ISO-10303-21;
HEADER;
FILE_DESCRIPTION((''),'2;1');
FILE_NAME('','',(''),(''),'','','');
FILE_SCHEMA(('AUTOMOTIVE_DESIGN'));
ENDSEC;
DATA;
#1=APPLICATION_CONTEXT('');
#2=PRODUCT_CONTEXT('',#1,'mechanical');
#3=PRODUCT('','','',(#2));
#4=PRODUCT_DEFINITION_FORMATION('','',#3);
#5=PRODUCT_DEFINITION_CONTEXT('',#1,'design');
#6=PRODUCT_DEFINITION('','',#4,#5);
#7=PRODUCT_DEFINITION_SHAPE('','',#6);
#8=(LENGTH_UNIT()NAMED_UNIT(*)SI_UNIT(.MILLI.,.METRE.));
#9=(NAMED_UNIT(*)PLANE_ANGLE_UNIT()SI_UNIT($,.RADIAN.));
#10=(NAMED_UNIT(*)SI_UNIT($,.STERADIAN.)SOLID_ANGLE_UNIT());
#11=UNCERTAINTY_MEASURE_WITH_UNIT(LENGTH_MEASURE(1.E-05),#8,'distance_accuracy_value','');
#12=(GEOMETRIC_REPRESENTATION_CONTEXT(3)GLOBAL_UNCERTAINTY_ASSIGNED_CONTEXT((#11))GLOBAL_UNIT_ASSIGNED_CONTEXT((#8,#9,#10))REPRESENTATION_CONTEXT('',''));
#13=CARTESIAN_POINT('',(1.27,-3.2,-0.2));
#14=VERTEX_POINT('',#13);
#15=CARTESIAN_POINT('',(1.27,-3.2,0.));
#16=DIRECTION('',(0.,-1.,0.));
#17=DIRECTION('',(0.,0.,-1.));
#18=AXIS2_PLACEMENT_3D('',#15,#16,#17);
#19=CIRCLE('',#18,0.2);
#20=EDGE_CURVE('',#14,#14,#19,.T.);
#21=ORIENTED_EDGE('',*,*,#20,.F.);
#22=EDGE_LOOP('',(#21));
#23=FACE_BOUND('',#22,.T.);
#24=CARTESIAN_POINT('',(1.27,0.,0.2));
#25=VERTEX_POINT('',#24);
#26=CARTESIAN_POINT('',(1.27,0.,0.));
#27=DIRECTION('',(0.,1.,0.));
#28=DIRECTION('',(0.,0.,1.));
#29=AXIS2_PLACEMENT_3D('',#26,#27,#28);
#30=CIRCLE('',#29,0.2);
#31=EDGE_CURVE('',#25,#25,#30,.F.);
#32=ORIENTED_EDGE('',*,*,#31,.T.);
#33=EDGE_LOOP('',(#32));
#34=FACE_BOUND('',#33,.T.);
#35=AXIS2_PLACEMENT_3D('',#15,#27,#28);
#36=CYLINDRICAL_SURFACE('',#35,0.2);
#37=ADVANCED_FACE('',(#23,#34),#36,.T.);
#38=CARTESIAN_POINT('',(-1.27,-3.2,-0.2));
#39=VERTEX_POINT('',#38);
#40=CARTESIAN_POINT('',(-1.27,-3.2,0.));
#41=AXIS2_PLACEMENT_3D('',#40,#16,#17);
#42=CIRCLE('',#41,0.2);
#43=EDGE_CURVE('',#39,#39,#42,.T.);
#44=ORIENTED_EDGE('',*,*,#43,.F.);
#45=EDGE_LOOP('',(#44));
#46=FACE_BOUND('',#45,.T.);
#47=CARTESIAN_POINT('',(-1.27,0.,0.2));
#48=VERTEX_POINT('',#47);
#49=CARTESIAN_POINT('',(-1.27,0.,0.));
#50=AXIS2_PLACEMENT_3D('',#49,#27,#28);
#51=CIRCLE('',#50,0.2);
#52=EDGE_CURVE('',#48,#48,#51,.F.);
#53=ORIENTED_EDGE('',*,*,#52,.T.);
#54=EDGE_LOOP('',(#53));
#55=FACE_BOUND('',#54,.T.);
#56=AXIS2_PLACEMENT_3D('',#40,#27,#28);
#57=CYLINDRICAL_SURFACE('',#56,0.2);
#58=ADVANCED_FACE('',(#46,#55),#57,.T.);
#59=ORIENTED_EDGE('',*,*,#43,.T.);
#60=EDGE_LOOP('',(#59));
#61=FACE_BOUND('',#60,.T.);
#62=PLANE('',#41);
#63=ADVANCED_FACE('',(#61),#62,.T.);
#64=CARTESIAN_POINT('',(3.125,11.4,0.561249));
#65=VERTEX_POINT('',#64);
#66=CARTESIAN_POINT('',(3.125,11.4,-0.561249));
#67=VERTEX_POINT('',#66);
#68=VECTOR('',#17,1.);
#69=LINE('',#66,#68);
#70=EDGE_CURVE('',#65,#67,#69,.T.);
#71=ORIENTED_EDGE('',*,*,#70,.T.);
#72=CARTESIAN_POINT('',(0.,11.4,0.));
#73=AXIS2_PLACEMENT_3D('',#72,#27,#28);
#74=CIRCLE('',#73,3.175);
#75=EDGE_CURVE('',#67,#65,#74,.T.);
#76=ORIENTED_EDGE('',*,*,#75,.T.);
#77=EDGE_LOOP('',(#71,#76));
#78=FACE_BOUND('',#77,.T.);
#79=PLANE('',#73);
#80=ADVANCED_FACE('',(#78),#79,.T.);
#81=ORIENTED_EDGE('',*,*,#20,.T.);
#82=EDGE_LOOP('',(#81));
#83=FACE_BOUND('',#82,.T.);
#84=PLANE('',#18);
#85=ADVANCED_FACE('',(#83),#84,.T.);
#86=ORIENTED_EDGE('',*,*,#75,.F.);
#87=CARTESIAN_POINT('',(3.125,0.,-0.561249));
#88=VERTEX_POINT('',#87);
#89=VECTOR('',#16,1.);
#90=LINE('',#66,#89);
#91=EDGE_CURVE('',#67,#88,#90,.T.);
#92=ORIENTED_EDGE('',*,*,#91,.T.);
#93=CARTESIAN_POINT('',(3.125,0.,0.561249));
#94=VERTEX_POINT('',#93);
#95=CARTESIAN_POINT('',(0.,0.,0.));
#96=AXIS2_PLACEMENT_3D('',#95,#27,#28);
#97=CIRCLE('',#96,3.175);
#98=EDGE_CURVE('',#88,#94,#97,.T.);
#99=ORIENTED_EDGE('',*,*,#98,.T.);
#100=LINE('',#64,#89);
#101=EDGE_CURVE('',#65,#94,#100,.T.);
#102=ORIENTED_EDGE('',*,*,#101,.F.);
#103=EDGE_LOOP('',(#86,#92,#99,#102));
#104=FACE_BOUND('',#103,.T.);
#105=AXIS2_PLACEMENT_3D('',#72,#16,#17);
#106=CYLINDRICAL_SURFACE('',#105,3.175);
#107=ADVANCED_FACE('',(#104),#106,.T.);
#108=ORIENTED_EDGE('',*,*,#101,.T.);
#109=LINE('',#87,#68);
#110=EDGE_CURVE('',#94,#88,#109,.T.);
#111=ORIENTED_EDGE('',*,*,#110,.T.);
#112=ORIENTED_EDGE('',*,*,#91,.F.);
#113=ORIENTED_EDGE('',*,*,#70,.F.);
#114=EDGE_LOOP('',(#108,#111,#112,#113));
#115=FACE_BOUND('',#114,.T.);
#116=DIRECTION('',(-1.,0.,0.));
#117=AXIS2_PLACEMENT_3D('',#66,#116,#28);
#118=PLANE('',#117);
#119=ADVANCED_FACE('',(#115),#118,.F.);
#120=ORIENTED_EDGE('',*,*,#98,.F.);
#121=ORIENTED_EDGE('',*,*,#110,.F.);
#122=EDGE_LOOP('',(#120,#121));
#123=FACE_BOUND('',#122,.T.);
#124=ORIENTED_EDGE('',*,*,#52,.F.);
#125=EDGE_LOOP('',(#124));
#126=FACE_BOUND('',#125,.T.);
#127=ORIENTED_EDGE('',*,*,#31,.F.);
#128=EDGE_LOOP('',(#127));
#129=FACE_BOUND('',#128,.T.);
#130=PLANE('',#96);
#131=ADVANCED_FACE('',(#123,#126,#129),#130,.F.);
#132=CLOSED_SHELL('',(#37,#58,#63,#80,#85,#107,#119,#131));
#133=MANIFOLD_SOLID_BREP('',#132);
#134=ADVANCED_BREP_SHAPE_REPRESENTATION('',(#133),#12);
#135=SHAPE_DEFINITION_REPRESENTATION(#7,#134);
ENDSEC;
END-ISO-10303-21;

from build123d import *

# Parameters (mm, degrees)
BOSS_EXTRUDE1_DEPTH = 11.4
SKETCH2_R           = 0.2
BOSS_EXTRUDE2_DEPTH = 3.2


with BuildPart() as part:
    # Sketch1 → Boss-Extrude1 (new body)
    with BuildSketch(Plane(origin=(0, 0, 0), x_dir=(1, 0, 0), z_dir=(0, 1, 0))):
        with BuildLine():
            Line((3.125, 0.561248608), (3.125, -0.561248608))
            ThreePointArc((3.125, -0.561248608), (-3.175, 0), (3.125, 0.561248608))
        make_face()
    extrude(amount=BOSS_EXTRUDE1_DEPTH)

    # Sketch2 → Boss-Extrude2 (add)
    with BuildSketch(Plane.XZ):
        with Locations((-1.27, 0)):
            Circle(SKETCH2_R)
        with Locations((1.27, 0)):
            Circle(SKETCH2_R)
    extrude(amount=BOSS_EXTRUDE2_DEPTH)


solid = part.part
